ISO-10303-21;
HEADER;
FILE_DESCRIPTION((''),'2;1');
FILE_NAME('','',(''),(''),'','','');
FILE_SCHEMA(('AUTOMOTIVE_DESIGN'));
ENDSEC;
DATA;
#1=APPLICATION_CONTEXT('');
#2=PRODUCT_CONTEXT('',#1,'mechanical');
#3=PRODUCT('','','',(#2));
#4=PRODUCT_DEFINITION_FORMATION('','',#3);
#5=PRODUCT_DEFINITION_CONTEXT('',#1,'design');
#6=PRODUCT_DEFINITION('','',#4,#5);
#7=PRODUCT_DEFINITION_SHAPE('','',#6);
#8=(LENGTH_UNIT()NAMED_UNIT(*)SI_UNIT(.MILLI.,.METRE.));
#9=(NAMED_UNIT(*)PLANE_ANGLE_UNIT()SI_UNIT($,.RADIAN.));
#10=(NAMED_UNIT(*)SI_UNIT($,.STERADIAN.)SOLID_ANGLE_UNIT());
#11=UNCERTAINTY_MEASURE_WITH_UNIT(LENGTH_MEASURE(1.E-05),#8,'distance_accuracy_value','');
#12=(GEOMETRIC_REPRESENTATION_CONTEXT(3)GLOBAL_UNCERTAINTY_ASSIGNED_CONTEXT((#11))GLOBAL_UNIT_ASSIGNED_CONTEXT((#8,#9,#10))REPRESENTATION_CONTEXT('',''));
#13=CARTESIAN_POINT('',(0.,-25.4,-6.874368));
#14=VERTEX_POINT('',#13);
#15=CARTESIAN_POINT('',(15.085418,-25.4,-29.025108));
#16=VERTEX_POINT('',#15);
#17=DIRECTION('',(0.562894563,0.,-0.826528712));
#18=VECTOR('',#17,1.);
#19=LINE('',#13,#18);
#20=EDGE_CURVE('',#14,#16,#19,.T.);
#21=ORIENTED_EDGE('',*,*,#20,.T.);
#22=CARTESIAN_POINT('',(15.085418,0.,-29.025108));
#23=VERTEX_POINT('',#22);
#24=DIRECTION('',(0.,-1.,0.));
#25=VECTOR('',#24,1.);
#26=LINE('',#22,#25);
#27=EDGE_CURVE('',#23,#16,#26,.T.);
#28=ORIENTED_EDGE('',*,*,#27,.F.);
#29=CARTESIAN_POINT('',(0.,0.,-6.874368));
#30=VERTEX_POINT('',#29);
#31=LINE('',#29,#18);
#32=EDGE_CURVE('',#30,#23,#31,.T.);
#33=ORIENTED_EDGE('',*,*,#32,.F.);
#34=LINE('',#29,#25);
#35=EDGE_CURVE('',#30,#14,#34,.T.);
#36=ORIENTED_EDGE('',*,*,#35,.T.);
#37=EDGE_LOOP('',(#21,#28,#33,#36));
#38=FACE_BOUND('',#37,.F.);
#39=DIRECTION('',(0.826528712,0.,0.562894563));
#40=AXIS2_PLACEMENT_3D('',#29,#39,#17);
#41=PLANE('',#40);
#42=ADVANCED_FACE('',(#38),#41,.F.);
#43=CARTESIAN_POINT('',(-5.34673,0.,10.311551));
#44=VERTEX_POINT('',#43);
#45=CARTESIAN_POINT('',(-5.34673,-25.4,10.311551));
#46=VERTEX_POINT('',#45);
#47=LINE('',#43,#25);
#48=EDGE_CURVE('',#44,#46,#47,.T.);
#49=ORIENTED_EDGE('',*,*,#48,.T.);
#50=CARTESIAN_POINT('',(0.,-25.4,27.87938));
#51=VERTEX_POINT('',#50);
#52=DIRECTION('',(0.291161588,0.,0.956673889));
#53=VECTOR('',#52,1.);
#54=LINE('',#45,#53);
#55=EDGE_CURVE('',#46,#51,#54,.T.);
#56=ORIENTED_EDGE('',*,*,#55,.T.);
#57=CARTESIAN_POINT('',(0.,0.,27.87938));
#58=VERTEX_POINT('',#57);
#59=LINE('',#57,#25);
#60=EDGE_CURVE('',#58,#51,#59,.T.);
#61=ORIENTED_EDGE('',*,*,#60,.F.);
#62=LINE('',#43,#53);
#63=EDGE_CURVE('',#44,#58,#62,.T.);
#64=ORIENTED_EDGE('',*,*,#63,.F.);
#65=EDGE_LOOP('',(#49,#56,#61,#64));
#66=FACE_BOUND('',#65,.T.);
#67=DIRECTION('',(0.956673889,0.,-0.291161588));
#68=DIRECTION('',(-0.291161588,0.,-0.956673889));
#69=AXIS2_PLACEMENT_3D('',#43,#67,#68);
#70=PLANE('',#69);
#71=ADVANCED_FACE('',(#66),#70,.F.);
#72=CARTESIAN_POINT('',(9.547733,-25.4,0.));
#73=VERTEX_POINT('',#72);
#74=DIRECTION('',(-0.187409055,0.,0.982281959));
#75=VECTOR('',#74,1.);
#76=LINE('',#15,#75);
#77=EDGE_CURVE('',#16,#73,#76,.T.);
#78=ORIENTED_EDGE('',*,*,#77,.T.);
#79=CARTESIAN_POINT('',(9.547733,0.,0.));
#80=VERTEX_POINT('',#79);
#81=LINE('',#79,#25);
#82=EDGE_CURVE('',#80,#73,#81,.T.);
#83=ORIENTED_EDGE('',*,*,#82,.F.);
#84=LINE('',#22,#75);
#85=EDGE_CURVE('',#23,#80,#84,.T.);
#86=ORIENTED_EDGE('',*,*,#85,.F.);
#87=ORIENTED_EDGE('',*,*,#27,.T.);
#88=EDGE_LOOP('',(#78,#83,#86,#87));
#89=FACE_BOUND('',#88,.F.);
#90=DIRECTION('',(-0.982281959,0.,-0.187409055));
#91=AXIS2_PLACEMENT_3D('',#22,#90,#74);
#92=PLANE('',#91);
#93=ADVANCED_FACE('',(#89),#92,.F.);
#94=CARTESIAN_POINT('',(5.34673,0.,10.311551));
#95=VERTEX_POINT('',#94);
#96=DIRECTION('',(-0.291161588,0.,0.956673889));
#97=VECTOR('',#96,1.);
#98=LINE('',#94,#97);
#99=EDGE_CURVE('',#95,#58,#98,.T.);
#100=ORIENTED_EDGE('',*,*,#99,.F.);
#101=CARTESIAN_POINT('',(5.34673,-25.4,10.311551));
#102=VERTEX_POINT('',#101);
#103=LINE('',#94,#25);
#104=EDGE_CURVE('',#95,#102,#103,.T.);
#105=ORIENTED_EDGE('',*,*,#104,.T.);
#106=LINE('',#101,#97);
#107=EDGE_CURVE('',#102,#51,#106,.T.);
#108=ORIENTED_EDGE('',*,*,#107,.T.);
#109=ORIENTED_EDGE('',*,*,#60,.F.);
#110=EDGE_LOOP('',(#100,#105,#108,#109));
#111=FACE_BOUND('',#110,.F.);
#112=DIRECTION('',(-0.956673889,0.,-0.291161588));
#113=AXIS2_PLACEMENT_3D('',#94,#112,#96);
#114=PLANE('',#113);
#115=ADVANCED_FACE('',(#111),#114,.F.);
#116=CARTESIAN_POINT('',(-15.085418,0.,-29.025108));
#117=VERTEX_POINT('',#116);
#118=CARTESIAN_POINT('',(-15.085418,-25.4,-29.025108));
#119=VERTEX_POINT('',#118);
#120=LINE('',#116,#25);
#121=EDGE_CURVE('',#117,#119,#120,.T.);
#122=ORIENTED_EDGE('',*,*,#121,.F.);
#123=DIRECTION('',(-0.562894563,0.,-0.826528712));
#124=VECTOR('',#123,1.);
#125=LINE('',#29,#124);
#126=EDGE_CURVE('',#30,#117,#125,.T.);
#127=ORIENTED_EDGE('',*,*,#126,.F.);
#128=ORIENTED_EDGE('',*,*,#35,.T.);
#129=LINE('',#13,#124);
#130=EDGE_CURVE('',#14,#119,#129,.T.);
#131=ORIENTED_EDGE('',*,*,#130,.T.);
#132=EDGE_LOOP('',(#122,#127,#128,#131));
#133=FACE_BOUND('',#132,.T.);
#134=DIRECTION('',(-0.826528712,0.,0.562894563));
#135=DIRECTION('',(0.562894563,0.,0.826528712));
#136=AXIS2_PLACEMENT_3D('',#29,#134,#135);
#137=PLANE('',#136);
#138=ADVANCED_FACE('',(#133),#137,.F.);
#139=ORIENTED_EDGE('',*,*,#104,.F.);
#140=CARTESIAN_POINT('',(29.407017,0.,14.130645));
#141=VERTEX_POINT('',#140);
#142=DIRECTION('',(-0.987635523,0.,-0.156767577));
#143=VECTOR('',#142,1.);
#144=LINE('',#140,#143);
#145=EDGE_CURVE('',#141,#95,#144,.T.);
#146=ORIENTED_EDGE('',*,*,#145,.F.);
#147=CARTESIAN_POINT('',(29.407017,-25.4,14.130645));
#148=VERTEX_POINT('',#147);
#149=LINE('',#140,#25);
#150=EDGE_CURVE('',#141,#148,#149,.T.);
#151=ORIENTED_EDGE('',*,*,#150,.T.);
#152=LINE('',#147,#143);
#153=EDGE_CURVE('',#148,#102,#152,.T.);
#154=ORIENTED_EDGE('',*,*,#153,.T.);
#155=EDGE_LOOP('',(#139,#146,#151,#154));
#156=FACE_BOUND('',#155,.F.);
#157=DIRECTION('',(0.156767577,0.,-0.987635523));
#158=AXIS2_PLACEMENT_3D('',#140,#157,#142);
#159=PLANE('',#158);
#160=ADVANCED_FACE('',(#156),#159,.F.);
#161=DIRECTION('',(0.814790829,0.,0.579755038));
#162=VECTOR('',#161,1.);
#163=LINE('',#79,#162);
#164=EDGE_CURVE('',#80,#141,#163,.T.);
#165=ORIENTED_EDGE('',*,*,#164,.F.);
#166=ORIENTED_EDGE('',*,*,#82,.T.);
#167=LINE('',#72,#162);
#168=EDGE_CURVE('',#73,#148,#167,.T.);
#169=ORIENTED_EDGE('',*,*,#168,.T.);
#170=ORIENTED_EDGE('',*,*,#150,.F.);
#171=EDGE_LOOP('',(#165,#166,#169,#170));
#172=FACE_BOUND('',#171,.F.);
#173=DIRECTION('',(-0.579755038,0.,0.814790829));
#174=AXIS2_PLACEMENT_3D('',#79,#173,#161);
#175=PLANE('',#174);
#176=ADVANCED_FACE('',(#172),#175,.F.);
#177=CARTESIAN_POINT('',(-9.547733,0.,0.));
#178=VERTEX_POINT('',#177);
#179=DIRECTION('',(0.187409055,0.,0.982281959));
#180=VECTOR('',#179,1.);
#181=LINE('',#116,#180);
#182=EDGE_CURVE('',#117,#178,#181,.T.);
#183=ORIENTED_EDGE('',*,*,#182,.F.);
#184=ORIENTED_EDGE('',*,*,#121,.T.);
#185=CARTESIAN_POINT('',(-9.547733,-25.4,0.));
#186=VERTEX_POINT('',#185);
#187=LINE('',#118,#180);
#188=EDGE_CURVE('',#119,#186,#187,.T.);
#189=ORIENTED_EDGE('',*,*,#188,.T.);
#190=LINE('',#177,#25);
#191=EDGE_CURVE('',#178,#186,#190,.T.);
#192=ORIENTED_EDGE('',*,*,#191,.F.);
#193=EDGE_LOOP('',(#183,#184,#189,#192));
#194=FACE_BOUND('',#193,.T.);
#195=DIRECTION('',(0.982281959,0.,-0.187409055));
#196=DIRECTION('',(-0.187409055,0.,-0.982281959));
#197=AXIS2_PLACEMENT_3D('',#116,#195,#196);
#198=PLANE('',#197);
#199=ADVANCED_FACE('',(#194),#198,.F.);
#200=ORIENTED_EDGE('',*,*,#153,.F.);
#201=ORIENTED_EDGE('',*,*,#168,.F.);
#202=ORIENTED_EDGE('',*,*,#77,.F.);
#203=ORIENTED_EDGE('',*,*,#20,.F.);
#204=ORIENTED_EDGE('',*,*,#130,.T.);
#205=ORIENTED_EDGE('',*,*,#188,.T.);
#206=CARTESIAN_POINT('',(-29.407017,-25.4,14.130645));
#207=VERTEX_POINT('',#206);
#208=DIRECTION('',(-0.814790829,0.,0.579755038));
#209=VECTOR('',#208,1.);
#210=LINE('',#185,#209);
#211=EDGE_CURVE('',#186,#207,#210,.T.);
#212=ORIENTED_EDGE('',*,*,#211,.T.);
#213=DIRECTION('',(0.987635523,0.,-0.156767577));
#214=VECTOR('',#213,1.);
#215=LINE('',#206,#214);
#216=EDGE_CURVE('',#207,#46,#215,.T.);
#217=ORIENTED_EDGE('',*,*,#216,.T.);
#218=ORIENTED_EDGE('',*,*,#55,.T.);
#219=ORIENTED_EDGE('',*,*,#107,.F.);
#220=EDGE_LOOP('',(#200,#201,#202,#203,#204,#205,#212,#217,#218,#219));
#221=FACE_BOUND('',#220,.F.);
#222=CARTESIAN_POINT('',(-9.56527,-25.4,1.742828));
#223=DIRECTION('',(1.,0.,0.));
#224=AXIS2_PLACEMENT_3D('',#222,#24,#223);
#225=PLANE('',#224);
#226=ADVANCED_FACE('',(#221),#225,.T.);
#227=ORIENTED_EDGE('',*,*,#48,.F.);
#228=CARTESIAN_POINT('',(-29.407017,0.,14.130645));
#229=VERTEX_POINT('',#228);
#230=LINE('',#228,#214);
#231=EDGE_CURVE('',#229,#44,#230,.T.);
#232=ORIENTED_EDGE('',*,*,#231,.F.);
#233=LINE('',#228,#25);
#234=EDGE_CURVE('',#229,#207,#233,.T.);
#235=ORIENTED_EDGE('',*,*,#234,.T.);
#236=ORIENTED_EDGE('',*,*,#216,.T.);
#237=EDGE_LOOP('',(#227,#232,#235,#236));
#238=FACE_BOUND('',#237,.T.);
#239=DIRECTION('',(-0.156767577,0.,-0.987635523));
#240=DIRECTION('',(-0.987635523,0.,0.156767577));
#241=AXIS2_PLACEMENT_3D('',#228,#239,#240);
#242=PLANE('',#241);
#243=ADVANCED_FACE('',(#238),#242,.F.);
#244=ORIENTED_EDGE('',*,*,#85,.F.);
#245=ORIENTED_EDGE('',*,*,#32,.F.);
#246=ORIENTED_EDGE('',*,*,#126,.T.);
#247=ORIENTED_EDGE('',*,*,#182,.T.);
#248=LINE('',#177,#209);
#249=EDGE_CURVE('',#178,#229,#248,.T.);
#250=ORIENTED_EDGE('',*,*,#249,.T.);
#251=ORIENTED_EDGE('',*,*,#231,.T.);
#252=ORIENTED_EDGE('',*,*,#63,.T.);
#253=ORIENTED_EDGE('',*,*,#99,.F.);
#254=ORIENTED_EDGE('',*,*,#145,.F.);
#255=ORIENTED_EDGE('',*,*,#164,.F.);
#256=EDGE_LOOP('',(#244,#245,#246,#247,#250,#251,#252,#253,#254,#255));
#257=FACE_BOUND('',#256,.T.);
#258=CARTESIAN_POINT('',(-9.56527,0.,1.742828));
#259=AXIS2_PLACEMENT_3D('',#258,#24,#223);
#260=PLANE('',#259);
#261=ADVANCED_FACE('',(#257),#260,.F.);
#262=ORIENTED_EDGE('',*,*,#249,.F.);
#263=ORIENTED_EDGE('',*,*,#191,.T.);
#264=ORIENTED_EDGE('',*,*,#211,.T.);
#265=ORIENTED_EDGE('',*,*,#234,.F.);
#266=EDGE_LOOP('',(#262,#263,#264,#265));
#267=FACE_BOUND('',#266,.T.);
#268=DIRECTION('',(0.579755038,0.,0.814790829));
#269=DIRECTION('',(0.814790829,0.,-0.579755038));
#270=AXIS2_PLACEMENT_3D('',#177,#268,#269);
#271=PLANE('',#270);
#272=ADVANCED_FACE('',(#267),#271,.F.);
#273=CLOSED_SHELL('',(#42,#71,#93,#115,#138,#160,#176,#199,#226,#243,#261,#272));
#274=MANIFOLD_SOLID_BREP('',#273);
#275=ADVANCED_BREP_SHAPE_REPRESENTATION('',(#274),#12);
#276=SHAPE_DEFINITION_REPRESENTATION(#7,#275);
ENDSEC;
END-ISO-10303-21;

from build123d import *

# Parameters (mm, degrees)
F1_DEPTH = 25.4


with BuildPart() as f1:
    # F0 (on Front) → F1 (new body)
    with BuildSketch(Plane.XZ):
        Polygon((0, -6.874368), (15.085418, -29.025108), (9.547733, 0), (29.407017, 14.130645), (5.34673, 10.311551), (0, 27.87938), align=None)
    extrude(amount=F1_DEPTH)

    # F2: F1 across plane


with BuildPart() as f1_1:
    add(f1.part)
    add(f1.part.mirror(Plane.YZ))


solid = f1_1.part
